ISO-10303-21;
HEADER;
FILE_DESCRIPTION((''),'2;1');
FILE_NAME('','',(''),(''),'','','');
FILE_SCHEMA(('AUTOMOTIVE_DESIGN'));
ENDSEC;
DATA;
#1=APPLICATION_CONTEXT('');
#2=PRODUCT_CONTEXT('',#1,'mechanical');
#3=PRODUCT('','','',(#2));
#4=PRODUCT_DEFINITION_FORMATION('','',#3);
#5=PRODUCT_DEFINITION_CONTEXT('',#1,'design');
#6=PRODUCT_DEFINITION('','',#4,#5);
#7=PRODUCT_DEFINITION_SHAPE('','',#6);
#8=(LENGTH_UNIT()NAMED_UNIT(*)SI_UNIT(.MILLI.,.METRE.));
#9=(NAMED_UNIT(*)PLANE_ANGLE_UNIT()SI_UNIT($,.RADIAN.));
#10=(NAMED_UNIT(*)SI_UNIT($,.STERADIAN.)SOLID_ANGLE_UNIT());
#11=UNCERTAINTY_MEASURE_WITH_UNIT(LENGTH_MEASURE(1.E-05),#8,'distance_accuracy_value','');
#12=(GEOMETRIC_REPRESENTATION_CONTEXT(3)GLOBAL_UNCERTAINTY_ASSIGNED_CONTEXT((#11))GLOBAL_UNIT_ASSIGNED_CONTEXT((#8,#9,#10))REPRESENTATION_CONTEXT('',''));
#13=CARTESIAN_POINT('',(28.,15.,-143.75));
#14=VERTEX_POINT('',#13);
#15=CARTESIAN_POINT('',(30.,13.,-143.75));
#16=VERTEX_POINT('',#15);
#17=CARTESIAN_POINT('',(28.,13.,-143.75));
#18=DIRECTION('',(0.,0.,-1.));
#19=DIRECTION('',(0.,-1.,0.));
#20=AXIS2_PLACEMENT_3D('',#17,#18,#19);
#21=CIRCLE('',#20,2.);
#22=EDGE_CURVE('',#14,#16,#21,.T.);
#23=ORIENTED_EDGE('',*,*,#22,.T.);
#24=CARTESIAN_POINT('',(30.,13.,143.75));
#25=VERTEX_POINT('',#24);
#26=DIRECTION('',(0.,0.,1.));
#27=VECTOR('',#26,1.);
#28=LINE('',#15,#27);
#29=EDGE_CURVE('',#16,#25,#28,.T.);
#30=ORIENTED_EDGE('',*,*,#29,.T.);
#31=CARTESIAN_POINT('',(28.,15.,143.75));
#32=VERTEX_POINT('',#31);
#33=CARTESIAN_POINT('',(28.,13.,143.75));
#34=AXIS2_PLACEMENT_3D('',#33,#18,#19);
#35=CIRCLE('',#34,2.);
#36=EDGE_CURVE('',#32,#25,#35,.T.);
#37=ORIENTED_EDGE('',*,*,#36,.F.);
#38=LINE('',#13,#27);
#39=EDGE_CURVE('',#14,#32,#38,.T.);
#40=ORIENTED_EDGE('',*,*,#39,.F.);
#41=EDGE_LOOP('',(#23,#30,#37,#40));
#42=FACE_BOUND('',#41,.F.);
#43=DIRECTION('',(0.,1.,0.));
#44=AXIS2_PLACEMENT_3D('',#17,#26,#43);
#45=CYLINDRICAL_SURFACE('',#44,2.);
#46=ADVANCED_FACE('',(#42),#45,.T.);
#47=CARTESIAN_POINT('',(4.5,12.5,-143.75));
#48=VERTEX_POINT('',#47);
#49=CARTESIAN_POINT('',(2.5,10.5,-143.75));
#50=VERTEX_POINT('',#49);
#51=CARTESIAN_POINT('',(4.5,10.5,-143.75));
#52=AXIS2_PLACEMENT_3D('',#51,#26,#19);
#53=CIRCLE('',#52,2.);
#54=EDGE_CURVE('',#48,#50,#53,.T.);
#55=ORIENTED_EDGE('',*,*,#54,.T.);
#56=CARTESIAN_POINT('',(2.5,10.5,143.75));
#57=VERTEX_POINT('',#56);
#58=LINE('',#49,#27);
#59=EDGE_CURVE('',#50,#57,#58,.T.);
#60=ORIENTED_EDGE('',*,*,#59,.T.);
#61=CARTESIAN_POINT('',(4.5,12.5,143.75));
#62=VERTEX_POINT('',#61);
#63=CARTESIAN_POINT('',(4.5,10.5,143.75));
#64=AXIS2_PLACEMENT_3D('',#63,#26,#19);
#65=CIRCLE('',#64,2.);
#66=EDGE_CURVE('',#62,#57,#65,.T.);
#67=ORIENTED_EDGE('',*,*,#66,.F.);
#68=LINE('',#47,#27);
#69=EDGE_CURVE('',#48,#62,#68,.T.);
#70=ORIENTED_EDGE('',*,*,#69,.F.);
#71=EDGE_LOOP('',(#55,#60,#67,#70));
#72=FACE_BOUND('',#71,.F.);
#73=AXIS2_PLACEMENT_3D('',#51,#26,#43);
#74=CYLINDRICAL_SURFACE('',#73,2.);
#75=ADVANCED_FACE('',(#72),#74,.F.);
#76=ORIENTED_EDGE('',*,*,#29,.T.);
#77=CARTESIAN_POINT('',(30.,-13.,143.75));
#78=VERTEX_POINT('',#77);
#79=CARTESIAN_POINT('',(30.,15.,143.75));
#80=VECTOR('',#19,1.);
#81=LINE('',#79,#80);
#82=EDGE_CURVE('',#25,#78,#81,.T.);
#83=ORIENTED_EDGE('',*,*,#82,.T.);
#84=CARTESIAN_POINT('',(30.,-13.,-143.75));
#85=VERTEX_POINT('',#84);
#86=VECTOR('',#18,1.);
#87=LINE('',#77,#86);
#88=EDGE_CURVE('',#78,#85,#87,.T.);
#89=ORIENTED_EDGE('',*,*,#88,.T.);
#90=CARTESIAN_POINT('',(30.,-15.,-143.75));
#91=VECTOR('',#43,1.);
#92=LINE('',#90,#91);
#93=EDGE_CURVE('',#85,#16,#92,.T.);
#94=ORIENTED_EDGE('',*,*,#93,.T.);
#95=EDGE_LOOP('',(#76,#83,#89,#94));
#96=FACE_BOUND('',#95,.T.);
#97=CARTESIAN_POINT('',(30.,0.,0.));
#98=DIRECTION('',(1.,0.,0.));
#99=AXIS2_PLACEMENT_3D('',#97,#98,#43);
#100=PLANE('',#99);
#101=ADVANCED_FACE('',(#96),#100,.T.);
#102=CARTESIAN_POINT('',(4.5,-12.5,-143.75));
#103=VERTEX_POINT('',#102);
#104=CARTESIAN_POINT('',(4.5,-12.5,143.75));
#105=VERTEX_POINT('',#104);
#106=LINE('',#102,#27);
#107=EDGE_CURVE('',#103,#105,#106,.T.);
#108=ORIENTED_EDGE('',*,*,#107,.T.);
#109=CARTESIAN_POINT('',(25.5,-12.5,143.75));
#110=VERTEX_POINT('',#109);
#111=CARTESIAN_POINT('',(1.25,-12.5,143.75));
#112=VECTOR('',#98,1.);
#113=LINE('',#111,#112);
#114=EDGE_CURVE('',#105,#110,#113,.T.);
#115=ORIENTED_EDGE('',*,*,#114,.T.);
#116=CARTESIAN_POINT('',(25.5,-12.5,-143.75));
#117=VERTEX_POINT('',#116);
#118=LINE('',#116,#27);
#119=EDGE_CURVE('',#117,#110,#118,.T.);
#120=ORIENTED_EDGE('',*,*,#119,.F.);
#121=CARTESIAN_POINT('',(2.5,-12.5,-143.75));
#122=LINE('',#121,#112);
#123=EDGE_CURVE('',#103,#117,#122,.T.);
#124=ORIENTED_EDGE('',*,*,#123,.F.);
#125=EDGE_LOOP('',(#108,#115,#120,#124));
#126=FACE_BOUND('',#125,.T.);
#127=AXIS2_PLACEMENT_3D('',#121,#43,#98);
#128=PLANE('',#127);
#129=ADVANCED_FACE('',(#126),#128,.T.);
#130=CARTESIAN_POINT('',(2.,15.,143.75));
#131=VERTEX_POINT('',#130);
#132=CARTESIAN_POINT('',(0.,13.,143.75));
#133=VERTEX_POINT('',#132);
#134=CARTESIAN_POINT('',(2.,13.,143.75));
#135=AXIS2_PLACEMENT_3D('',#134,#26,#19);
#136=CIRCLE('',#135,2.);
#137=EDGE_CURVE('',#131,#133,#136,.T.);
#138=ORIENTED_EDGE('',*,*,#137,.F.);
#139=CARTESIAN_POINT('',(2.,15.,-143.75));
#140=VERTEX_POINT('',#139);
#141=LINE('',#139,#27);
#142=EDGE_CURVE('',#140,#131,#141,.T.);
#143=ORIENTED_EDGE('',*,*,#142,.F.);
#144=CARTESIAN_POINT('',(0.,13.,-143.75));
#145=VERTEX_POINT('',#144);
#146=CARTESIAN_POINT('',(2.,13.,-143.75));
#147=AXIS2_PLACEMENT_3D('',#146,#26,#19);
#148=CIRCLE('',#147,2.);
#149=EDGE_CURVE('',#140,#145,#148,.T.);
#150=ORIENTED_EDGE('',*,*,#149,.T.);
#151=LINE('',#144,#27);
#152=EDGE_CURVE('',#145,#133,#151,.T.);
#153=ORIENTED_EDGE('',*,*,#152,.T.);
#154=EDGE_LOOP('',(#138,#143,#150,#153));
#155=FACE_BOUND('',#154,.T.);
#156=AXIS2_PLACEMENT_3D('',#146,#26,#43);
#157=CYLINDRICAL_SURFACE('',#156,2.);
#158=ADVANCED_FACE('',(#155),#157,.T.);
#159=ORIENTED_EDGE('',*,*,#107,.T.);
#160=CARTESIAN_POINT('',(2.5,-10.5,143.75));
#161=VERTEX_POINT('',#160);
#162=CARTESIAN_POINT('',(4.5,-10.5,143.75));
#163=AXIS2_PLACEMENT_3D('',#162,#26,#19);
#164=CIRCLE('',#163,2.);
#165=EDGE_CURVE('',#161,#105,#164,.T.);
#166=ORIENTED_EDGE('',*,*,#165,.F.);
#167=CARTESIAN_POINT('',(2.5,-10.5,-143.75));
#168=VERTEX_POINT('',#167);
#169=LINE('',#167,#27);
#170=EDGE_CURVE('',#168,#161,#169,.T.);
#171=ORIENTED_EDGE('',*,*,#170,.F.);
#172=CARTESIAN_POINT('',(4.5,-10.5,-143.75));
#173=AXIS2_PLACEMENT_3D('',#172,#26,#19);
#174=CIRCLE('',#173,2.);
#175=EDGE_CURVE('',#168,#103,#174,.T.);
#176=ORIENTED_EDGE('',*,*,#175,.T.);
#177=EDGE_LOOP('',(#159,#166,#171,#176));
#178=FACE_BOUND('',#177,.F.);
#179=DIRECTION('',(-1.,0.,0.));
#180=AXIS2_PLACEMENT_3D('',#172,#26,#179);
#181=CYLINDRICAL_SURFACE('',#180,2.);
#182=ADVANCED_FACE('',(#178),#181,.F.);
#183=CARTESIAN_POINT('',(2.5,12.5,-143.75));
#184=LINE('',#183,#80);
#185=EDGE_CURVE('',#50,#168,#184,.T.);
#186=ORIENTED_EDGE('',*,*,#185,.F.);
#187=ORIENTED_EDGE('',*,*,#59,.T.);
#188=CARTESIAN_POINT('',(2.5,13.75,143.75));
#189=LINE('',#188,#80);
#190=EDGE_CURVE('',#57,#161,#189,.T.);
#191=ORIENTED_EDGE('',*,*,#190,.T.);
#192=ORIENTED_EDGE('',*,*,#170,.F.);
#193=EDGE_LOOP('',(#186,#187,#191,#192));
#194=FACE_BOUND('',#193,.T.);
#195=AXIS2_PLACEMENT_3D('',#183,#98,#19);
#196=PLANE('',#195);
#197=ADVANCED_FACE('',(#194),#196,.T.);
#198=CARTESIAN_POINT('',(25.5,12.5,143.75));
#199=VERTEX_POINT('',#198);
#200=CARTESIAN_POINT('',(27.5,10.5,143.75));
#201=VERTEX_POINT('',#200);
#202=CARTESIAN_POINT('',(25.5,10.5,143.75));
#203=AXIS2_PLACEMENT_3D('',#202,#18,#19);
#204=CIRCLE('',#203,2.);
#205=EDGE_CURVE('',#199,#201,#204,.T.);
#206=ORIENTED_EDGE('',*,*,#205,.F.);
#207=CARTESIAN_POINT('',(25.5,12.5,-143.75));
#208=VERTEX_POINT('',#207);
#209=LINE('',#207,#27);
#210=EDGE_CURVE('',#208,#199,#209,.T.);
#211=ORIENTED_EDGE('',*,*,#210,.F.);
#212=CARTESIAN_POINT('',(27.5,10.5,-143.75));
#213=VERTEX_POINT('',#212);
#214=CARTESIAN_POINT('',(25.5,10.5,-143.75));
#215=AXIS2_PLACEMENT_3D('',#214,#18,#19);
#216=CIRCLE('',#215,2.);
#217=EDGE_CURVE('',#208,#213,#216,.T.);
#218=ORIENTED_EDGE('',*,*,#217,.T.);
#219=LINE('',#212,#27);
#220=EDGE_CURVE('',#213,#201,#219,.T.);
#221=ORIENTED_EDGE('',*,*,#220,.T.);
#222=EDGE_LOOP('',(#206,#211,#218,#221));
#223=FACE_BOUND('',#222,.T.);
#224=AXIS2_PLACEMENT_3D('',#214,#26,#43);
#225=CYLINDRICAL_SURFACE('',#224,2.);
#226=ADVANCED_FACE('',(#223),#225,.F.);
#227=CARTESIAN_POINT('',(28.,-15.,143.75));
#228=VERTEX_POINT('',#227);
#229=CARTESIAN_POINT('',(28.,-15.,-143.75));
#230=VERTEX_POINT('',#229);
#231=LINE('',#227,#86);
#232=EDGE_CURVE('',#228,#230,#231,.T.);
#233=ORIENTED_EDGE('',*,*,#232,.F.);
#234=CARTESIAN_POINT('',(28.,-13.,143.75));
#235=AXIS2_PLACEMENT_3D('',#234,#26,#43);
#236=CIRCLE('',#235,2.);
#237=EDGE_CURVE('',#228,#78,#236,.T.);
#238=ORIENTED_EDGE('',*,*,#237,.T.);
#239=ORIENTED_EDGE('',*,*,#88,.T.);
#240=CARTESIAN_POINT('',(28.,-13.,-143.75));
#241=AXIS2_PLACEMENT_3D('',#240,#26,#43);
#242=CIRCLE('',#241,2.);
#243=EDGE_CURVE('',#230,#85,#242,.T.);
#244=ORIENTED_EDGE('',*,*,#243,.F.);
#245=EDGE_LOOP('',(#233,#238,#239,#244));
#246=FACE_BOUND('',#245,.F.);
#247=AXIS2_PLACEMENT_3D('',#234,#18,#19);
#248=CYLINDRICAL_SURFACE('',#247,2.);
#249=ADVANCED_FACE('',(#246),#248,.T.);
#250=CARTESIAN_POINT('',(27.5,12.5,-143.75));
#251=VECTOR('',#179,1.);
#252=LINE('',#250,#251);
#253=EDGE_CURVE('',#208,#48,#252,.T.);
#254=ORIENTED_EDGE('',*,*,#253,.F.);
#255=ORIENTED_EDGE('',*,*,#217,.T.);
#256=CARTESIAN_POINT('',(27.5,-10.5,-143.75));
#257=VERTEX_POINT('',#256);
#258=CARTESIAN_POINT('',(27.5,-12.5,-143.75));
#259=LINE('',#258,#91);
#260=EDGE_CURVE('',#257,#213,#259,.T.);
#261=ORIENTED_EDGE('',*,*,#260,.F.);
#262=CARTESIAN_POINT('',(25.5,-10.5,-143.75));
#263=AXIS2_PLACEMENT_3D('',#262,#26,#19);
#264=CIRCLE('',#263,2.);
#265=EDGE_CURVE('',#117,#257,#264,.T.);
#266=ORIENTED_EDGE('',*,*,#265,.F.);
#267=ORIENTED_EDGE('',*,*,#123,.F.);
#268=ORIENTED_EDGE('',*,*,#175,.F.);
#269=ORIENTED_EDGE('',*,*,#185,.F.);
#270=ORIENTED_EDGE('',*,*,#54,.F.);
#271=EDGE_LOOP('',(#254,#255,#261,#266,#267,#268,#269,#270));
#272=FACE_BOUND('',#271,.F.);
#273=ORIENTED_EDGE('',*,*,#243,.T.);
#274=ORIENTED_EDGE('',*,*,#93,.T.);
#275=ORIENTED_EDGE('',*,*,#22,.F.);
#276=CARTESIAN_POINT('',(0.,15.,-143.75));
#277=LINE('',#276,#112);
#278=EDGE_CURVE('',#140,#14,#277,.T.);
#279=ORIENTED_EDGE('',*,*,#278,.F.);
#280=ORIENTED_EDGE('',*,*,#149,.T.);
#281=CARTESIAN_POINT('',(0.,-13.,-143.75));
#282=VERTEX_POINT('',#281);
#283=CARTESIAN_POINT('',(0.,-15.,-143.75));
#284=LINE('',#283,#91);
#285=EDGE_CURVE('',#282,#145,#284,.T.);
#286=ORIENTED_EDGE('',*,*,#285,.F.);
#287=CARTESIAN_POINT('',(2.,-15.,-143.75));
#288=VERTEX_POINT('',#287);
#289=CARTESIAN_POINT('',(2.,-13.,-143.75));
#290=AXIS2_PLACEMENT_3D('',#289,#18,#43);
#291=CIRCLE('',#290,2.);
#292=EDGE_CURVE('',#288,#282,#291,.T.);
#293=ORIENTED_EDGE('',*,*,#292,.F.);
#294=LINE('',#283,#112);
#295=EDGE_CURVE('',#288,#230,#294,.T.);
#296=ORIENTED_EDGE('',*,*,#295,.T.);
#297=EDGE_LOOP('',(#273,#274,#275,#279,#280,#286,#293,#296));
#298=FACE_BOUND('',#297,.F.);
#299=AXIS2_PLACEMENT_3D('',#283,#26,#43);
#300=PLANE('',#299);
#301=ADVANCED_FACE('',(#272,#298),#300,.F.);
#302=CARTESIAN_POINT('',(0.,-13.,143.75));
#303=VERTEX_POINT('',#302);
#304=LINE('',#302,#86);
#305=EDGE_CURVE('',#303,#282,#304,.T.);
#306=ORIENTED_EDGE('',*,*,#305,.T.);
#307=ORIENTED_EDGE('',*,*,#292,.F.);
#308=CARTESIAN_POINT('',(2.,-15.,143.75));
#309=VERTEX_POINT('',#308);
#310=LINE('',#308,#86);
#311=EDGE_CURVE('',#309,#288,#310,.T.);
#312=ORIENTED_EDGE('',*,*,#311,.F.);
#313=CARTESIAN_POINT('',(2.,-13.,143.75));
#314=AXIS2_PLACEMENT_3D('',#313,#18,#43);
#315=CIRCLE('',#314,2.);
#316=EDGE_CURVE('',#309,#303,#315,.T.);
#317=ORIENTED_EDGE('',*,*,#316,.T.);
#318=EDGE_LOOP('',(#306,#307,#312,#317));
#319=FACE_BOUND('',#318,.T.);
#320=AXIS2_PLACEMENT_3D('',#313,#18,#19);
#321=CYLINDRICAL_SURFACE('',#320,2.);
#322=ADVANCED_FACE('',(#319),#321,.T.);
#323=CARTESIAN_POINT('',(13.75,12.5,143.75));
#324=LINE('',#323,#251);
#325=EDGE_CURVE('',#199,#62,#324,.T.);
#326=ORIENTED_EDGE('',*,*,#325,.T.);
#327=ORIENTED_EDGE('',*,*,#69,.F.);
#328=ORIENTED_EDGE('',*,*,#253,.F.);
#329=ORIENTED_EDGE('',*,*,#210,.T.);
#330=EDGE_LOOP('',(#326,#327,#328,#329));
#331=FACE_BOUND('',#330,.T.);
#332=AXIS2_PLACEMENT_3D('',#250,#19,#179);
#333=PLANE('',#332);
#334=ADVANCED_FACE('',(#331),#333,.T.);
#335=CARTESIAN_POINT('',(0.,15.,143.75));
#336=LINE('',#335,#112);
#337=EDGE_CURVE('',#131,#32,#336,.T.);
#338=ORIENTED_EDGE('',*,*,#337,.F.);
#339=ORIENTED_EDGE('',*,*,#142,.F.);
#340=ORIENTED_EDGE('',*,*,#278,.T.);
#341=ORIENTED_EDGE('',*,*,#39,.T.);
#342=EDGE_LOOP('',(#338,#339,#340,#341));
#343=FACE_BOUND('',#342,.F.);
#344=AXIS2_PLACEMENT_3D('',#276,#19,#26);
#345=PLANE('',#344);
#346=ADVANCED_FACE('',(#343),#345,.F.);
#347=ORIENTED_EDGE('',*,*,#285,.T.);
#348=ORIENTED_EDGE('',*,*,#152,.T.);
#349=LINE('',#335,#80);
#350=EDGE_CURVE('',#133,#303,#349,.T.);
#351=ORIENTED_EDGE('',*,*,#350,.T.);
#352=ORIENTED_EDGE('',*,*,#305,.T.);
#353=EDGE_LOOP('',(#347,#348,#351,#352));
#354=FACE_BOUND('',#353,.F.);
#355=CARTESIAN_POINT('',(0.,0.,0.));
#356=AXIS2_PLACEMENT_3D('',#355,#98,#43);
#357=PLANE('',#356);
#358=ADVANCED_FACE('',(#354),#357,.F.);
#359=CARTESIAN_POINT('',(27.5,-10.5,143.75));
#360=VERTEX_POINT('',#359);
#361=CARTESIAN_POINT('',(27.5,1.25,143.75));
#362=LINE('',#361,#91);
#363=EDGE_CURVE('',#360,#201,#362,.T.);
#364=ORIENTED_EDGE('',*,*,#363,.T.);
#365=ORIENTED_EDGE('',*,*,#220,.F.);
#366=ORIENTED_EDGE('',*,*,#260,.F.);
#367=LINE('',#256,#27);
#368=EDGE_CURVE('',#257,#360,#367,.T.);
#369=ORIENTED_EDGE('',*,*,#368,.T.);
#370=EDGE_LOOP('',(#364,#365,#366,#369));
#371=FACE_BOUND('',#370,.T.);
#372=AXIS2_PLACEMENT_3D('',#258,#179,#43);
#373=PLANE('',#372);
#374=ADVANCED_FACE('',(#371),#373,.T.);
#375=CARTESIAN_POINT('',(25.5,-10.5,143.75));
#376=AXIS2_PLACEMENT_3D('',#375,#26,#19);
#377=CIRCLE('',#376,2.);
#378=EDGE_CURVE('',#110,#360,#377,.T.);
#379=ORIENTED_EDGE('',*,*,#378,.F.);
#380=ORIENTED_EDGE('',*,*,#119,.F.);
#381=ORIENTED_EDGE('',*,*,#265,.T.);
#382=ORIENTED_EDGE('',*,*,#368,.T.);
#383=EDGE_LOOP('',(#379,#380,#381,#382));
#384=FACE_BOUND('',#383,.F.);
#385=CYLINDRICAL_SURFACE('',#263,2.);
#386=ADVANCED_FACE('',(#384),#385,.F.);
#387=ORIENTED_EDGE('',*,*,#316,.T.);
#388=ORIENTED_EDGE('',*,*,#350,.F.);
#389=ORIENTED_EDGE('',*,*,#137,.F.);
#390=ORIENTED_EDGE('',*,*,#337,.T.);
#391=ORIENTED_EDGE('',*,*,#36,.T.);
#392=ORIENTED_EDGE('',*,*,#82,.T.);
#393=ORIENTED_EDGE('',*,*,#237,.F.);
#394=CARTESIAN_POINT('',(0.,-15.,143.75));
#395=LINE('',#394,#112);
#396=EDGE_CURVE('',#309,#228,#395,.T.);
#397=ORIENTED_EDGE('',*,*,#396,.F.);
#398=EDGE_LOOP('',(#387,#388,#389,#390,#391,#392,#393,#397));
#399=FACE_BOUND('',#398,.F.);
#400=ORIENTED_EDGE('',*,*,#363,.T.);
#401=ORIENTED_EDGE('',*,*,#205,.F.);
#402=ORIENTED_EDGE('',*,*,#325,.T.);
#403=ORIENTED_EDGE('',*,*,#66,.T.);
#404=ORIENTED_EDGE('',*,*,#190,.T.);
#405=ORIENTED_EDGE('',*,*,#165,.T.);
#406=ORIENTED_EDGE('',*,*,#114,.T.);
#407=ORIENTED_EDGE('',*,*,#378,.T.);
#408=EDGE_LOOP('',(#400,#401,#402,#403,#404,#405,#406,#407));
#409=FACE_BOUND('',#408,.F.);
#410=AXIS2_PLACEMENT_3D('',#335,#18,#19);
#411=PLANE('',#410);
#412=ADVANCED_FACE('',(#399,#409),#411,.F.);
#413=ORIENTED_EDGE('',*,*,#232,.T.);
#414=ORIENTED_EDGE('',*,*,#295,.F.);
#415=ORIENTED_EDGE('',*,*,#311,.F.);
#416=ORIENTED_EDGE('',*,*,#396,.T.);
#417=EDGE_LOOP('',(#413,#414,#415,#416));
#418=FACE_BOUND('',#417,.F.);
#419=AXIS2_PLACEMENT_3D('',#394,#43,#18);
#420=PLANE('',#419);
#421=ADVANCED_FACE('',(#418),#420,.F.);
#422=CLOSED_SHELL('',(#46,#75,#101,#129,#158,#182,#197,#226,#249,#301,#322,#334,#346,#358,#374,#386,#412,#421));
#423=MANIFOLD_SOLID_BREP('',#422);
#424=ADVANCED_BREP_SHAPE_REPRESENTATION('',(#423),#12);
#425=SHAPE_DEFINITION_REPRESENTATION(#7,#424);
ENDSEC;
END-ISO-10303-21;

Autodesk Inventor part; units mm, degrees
ref_plane "YZ Plane" through (0, 0, 0) normal (1, 0, 0) x (0, 1, 0)
ref_plane "XZ Plane" through (0, 0, 0) normal (0, 1, 0) x (-1, 0, 0)
ref_plane "XY Plane" through (0, 0, 0) normal (0, 0, 1) x (1, 0, 0)
sketch "Sketch1" plane through (0, 0, 0) normal (1, 0, 0) x (0, 1, 0)
  line L0 (15, 143.75) -> (-15, 143.75)
  line L1 (-15, 143.75) -> (-15, -143.75)
  line L2 (-15, -143.75) -> (15, -143.75)
  line L3 (15, -143.75) -> (15, 143.75)
  point P0 (0, 0)
  dimension "d0" = 287.5
  dimension "d1" = 143.75
  dimension "d2" = 30
  dimension "d3" = 15
extrude "Extrusion1" add sketch "Sketch1" along normal blind 30
fillet "Fillet1" radius 2 4 edges at (0, 15, 0) (0, -15, 0) (30, -15, 0) (30, 15, 0)
sketch "Sketch2" plane through (0, -13, -143.75) normal (0, 0, -1) x (-1, 0, 0)
  line L0 (-27.5, 25.5) -> (-2.5, 25.5)
  line L1 (-2.5, 25.5) -> (-2.5, 0.5)
  line L2 (-2.5, 0.5) -> (-27.5, 0.5)
  line L3 (-27.5, 0.5) -> (-27.5, 25.5)
  line L4 (-2, 28) -> (-28, 28) projected
  line L5 (-2, -2) -> (-28, -2) projected
  line L6 (0, 0) -> (0, 26) projected
  line L7 (-30, 0) -> (-30, 26) projected
  point P0 (0, 13)
  dimension "d7" = 2.5
  dimension "d8" = 2.5
  dimension "d9" = 2.5
  dimension "d10" = 2.5
extrude "Extrusion2" cut sketch "Sketch2" against normal blind 300
fillet "Fillet2" radius 2 4 edges at (27.5, -12.5, 0) (27.5, 12.5, 0) (2.5, 12.5, 0) (2.5, -12.5, 0)
equation "\"d0\" = 0.5 * wheelchair_deployed_width - secure_arm_hold_thickness"
equation "\"d1\" = 0.5 * d0"
equation "\"d2\" = secure_arm_hold_thickness"
equation "\"d3\" = 0.5 * d2"
equation "\"d4\" = secure_arm_hold_thickness"
equation "\"hoop_angle_z\" = 45deg"
equation "\"hoop_bearing_length\" = 5deg"
equation "\"hoop_cable_diam\" = 5"
equation "\"hoop_cable_pulley_diam\" = 22"
equation "\"hoop_thickness_large\" = 4"
equation "\"hoop_thickness_medium\" = 3.2"
equation "\"hoop_thickness_small\" = 2"
equation "\"hoop_width_large\" = 51"
equation "\"hoop_width_medium\" = 33.7"
equation "\"hoop_width_small\" = 25.4"
equation "\"rack_tooth_addendum\" = 5"
equation "\"rack_tooth_dedendum\" = 5"
equation "\"rack_tooth_thickness\" = 5"
equation "\"secure_arm_angle\" = 35deg"
equation "\"secure_arm_hold_thickness\" = 30"
equation "\"secure_arm_radii\" = 9"
equation "\"support_baseClamp_platformLengthBuffer\" = 35"
equation "\"support_baseClamp_platformThickness\" = 15"
equation "\"support_baseClamp_platformWidthBuffer\" = 0"
equation "\"support_baseClamp_sleeveHoleDiameter\" = 12"
equation "\"support_baseClamp_sleeveSweepTerminationAngle\" = 55deg"
equation "\"support_baseClamp_thickness\" = 8"
equation "\"support_frame_endHoleBuffer\" = 45"
equation "\"support_frame_squareBarFillet\" = 2"
equation "\"support_frame_squareBarThickness\" = 5"
equation "\"hoop_tabs_thickness\" = 6"
equation "\"hoop_tabs_hole\" = 12"
equation "\"wheelchair_deployed_width\" = 635"
equation "\"wheelchair_deployed_height\" = 914"
equation "\"wheelchair_deployed_length\" = 1067"
equation "\"sm_varx_pinPlate_thickness\" = 5"
equation "\"sm_varx_member_tolerance\" = 0"
equation "\"sm_varx_pinPlate_holeDiameter\" = 5"
equation "\"sm_varx_squareBarThickness\" = 2.5"
equation "\"hoop_bushing23_radialInterference\" = 0"
equation "\"hoop_bushing12_radialInterference\" = 0"
equation "\"hoop_bushing12_od\" = -2 * hoop_thickness_large + hoop_width_large + hoop_bushing12_radialInterference"
equation "\"hoop_bushing23_od\" = -2 * hoop_thickness_medium + hoop_width_medium + hoop_bushing23_radialInterference"
equation "\"wheelchatir_pos_deploy_angle_0\" = 65deg"
equation "\"wheelchatir_pos_store_angle_0\" = 90deg"
equation "\"wheelchatir_pos_deploy_angle_1\" = 20deg"
equation "\"wheelchatir_pos_store_angle_1\" = 20deg"
equation "\"hoop_bushing12_thickness\" = -hoop_width_medium + hoop_bushing12_od - 2 * hoop_bushing12_radialInterference"
equation "\"hoop_bushing23_thickness\" = -hoop_width_small + hoop_bushing23_od - 2 * hoop_bushing23_radialInterference"
properties part number "secure_width_bar"
